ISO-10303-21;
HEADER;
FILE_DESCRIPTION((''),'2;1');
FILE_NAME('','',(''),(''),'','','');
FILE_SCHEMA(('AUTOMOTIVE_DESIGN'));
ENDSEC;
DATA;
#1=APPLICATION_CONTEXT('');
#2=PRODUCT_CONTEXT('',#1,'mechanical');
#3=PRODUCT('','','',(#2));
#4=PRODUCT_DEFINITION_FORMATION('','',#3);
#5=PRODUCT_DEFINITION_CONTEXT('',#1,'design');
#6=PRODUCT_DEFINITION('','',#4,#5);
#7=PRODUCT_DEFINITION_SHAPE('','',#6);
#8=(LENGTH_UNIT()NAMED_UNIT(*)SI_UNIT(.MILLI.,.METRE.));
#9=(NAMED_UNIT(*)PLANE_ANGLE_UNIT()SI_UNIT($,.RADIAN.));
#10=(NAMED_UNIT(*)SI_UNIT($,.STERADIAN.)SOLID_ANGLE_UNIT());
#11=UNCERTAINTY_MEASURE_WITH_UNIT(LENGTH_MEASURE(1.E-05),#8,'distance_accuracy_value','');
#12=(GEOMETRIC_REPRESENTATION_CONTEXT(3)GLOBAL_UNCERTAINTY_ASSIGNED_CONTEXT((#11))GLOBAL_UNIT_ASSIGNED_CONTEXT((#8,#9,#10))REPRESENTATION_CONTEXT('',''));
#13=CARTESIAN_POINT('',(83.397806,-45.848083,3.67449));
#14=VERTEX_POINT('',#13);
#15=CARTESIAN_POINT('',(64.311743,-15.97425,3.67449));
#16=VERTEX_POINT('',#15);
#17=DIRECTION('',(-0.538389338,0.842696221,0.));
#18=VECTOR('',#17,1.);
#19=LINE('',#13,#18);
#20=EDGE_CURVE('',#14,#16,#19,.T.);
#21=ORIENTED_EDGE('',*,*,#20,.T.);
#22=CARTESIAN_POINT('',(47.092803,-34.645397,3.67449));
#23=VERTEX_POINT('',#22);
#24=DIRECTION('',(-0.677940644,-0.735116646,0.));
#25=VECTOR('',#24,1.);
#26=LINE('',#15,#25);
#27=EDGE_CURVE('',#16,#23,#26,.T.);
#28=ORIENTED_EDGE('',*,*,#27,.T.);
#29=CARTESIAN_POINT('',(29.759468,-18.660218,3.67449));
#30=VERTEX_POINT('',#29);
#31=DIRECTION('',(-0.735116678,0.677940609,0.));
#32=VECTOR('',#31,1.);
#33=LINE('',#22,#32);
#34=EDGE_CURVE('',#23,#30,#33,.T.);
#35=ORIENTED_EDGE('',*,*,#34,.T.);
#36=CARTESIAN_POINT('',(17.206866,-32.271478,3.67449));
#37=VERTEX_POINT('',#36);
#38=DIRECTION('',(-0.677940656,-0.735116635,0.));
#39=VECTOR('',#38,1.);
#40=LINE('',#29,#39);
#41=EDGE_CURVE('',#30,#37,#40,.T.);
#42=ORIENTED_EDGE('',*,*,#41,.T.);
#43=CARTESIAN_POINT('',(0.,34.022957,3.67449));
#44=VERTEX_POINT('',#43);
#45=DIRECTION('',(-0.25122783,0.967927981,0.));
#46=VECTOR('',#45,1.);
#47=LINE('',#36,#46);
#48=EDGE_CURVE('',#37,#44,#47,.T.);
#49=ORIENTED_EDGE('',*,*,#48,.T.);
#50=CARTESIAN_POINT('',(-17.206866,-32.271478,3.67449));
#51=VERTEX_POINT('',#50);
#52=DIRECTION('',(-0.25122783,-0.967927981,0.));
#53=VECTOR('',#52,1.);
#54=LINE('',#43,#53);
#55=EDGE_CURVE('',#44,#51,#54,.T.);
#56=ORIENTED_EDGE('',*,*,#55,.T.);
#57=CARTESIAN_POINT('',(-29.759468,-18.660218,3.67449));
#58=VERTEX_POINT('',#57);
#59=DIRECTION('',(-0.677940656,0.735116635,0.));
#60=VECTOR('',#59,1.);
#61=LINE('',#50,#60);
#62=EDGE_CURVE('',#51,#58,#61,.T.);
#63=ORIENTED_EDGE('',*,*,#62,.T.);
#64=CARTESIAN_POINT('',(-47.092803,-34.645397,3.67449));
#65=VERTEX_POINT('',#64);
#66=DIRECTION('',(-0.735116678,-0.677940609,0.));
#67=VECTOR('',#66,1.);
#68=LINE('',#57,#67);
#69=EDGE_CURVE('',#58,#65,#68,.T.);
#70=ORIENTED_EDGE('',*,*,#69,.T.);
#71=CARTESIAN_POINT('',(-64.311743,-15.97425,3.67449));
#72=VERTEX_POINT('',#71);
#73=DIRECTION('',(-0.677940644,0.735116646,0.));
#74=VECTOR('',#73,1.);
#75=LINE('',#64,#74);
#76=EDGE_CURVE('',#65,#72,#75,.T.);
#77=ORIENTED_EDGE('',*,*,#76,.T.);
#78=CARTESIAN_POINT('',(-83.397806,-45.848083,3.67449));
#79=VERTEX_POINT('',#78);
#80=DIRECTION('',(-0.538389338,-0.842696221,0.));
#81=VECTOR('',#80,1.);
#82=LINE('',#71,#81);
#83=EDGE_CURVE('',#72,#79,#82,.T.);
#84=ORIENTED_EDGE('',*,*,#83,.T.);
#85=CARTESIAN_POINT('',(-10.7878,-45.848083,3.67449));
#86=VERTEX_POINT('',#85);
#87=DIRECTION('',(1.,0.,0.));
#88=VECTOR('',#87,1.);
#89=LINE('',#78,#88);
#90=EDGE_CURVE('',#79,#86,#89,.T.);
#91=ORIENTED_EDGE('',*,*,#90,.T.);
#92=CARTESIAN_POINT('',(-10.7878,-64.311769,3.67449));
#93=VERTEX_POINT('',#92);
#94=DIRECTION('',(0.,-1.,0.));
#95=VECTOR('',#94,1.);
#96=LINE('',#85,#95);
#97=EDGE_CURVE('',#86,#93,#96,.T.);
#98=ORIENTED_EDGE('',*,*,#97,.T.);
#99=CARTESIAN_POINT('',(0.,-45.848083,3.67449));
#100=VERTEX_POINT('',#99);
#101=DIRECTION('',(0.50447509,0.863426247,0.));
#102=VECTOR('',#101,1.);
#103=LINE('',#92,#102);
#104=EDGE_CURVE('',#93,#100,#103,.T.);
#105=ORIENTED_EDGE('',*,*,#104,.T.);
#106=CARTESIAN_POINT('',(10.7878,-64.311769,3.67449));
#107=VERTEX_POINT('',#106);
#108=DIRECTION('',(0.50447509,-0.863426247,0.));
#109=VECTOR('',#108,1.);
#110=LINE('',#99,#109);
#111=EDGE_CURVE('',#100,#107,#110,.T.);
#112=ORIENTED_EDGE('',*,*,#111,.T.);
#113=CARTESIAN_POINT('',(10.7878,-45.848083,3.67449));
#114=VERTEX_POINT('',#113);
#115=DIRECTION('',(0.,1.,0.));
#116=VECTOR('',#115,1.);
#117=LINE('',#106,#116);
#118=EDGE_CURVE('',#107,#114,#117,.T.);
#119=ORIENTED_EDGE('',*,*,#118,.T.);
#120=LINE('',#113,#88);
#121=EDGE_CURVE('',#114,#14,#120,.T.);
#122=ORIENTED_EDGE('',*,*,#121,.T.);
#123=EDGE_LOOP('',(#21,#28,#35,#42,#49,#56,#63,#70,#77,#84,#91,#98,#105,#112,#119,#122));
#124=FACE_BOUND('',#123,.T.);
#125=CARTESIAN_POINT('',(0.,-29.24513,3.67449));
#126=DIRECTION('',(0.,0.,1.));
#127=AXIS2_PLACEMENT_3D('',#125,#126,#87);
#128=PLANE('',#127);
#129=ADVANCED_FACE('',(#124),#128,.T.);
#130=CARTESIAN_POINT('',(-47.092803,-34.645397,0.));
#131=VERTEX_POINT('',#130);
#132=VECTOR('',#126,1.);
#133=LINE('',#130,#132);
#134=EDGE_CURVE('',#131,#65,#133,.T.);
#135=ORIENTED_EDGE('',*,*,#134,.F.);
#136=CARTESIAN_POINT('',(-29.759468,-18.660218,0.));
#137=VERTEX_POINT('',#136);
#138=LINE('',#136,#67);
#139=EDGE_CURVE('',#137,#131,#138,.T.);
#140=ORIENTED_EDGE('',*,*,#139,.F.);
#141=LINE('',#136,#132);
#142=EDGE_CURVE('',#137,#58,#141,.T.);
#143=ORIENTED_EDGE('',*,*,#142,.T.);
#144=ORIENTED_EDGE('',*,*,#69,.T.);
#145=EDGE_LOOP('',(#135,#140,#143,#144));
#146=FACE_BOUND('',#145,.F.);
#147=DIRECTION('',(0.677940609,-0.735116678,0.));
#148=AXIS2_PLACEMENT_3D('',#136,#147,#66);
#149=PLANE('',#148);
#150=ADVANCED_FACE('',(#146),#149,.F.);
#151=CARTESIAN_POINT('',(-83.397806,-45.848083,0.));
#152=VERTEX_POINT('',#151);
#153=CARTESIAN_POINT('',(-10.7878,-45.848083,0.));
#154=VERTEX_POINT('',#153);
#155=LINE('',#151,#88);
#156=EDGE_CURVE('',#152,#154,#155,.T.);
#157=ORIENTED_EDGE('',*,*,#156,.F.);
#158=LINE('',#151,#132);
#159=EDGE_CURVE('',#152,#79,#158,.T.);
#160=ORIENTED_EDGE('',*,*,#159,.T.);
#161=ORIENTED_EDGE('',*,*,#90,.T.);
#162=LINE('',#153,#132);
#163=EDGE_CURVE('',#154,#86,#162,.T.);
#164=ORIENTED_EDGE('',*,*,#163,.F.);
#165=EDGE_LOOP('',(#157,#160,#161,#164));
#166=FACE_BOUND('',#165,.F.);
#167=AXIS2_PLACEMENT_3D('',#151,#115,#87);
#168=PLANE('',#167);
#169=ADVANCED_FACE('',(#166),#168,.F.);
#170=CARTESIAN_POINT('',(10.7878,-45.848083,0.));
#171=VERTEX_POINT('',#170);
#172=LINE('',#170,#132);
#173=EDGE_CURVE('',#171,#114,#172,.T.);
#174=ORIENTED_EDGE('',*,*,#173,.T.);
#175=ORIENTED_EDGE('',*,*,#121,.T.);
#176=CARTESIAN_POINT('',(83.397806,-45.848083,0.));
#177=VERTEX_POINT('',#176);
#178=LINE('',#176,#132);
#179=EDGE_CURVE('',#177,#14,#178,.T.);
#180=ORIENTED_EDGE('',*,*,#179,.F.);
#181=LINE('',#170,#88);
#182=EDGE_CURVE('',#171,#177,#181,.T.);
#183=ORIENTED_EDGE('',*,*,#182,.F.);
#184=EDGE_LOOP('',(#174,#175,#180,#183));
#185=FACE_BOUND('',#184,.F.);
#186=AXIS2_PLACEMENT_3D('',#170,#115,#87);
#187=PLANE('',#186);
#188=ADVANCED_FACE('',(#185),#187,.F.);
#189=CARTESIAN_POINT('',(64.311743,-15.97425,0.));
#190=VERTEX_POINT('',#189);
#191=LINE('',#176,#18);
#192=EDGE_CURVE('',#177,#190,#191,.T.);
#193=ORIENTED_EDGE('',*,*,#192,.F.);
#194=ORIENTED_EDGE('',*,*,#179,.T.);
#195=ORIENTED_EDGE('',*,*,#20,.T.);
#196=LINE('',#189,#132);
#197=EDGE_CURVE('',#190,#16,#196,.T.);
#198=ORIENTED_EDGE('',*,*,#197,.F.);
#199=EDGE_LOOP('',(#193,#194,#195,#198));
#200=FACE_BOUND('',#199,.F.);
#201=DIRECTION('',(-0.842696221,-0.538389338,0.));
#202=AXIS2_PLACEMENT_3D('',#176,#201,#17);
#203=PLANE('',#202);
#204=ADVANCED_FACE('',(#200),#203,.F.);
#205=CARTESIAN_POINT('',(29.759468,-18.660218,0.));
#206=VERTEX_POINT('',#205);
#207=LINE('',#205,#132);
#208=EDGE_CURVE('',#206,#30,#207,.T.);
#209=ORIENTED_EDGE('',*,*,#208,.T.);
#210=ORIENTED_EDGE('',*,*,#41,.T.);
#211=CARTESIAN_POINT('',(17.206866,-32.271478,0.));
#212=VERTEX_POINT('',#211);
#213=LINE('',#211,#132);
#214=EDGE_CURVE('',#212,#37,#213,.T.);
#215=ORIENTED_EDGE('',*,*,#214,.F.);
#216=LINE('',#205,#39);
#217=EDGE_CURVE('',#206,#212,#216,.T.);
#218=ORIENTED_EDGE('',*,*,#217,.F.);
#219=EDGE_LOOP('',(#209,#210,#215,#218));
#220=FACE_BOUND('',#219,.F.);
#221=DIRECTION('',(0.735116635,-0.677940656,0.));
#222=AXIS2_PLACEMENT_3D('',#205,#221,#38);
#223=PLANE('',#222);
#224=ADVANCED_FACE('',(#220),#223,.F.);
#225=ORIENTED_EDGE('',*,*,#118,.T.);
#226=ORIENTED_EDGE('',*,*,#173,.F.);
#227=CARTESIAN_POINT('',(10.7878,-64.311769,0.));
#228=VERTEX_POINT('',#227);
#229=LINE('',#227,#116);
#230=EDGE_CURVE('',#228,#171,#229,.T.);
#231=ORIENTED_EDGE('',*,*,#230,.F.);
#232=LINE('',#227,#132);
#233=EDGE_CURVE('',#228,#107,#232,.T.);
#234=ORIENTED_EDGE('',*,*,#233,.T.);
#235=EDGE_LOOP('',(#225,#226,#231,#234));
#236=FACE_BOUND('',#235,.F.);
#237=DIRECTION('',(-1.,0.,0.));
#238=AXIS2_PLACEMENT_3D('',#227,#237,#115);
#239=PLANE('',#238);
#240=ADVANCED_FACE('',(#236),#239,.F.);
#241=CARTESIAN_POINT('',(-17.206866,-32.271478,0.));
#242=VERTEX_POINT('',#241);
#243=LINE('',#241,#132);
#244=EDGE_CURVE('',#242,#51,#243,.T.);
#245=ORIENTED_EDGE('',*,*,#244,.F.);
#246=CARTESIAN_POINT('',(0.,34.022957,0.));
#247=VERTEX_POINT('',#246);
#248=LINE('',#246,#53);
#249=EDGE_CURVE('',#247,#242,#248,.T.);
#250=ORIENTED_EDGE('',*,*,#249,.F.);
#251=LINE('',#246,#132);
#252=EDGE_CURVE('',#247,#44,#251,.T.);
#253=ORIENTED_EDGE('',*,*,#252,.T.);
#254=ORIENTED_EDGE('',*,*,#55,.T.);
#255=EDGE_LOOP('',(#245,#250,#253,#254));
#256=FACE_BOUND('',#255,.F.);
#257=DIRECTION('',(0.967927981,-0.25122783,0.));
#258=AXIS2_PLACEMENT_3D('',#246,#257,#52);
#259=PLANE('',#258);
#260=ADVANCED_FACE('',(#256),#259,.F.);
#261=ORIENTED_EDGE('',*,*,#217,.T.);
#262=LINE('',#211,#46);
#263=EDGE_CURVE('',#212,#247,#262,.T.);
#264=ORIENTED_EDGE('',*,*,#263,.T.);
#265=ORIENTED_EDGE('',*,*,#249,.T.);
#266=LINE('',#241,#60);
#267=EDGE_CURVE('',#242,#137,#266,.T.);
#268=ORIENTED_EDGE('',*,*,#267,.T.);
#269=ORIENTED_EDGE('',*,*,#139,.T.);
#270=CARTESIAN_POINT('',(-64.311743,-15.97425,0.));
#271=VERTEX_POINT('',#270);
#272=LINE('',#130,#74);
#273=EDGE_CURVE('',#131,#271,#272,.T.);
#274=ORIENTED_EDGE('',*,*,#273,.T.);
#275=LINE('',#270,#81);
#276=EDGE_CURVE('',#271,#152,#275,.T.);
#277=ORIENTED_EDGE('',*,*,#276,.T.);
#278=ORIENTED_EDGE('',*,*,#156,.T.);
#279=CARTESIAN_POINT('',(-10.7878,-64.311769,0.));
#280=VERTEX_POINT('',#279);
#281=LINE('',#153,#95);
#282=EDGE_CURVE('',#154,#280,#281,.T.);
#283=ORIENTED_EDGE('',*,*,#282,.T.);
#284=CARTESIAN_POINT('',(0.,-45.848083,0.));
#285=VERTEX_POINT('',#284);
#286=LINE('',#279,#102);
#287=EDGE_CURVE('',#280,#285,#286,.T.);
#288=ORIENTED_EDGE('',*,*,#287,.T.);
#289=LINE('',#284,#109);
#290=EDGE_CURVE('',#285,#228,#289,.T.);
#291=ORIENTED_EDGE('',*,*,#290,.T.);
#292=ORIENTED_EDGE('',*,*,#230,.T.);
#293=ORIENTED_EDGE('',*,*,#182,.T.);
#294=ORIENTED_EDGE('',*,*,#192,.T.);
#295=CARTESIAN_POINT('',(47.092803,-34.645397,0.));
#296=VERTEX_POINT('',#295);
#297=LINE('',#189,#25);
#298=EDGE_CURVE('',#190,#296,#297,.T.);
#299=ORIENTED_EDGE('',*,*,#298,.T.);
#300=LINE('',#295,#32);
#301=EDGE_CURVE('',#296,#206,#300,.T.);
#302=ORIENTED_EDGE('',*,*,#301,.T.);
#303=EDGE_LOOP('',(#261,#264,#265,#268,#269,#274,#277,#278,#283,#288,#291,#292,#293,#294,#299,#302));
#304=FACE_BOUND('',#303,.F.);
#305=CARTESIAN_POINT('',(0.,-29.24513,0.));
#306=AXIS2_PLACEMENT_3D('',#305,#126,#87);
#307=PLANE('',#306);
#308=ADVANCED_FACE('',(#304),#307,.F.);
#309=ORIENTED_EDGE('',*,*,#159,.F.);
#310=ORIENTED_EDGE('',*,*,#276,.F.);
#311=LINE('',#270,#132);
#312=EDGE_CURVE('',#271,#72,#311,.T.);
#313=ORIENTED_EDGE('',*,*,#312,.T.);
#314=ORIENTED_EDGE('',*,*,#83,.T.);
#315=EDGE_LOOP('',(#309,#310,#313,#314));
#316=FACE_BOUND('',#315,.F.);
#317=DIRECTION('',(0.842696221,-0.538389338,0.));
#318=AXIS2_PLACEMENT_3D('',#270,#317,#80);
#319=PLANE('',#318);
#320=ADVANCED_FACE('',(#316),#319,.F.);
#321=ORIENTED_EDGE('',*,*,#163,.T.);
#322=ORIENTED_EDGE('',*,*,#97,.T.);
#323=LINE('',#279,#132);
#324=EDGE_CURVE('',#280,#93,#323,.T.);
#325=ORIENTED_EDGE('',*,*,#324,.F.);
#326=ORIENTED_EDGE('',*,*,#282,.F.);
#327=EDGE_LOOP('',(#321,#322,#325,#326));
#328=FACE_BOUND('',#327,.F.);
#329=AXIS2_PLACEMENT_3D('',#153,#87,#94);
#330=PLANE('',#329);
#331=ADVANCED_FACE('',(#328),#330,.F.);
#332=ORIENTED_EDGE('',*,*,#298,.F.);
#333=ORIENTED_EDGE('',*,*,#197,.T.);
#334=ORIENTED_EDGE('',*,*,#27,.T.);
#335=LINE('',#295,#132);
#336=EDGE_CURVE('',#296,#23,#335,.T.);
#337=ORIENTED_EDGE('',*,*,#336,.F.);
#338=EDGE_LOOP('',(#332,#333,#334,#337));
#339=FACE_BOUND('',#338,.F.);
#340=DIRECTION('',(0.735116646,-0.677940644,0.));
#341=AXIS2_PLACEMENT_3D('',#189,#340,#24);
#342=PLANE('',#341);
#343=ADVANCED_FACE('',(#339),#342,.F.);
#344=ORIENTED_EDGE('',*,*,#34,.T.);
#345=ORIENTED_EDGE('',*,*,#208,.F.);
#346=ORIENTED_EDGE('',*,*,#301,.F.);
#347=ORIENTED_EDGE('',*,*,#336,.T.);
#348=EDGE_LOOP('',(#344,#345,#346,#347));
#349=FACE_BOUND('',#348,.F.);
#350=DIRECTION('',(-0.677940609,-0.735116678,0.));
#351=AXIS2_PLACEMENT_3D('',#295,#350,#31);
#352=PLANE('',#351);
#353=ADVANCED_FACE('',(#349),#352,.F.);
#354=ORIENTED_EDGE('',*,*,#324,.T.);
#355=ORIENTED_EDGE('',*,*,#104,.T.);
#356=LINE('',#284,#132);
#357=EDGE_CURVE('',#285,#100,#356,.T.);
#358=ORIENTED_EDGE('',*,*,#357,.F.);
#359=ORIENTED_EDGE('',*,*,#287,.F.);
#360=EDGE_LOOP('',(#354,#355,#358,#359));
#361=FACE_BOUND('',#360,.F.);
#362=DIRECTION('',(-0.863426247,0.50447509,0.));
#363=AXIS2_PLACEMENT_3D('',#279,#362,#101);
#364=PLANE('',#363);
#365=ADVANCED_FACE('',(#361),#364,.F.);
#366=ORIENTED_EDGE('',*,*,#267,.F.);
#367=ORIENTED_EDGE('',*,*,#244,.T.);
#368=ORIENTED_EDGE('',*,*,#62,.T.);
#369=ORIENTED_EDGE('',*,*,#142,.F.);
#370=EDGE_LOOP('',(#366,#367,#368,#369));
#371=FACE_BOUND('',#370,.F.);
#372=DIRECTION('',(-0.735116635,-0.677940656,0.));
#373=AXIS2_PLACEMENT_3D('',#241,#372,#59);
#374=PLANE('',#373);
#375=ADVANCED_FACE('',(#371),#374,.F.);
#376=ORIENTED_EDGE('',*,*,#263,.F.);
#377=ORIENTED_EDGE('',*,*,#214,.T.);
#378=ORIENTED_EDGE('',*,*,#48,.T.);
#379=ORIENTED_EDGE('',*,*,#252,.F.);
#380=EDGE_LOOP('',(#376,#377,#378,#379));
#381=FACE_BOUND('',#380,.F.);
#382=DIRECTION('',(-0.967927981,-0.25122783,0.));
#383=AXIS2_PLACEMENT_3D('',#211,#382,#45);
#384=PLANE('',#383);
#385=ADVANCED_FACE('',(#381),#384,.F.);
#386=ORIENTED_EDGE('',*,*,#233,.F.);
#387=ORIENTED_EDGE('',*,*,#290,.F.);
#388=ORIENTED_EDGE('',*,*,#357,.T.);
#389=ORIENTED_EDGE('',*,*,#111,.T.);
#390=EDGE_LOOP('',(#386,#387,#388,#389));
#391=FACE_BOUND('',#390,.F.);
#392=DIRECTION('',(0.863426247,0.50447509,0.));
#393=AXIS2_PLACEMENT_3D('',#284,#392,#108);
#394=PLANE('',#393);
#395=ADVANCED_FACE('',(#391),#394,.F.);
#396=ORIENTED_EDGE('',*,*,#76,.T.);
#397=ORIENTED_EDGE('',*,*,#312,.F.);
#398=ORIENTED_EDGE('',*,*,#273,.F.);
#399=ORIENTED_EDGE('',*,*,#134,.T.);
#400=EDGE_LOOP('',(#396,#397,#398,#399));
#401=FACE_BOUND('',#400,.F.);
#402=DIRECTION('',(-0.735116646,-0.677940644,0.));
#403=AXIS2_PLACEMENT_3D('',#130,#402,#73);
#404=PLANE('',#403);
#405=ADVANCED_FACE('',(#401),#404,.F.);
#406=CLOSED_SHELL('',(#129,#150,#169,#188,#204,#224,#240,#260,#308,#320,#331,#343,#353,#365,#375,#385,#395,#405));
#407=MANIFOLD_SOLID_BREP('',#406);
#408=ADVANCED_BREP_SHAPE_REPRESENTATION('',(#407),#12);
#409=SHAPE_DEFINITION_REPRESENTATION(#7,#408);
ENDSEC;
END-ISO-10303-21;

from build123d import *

# Parameters (mm, degrees)
F1_DEPTH = 3.67449


with BuildPart() as f1:
    # F0 (on Top) → F1 (new body)
    with BuildSketch(Plane.XY):
        Polygon((-10.7878, -64.311769), (0, -45.848083), (10.7878, -64.311769), (10.7878, -45.848083), (83.397806, -45.848083), (64.311743, -15.97425), (47.092803, -34.645397), (29.759468, -18.660218), (17.206866, -32.271478), (0, 34.022957), (-17.206866, -32.271478), (-29.759468, -18.660218), (-47.092803, -34.645397), (-64.311743, -15.97425), (-83.397806, -45.848083), (-10.7878, -45.848083), align=None)
    extrude(amount=F1_DEPTH)


solid = f1.part
